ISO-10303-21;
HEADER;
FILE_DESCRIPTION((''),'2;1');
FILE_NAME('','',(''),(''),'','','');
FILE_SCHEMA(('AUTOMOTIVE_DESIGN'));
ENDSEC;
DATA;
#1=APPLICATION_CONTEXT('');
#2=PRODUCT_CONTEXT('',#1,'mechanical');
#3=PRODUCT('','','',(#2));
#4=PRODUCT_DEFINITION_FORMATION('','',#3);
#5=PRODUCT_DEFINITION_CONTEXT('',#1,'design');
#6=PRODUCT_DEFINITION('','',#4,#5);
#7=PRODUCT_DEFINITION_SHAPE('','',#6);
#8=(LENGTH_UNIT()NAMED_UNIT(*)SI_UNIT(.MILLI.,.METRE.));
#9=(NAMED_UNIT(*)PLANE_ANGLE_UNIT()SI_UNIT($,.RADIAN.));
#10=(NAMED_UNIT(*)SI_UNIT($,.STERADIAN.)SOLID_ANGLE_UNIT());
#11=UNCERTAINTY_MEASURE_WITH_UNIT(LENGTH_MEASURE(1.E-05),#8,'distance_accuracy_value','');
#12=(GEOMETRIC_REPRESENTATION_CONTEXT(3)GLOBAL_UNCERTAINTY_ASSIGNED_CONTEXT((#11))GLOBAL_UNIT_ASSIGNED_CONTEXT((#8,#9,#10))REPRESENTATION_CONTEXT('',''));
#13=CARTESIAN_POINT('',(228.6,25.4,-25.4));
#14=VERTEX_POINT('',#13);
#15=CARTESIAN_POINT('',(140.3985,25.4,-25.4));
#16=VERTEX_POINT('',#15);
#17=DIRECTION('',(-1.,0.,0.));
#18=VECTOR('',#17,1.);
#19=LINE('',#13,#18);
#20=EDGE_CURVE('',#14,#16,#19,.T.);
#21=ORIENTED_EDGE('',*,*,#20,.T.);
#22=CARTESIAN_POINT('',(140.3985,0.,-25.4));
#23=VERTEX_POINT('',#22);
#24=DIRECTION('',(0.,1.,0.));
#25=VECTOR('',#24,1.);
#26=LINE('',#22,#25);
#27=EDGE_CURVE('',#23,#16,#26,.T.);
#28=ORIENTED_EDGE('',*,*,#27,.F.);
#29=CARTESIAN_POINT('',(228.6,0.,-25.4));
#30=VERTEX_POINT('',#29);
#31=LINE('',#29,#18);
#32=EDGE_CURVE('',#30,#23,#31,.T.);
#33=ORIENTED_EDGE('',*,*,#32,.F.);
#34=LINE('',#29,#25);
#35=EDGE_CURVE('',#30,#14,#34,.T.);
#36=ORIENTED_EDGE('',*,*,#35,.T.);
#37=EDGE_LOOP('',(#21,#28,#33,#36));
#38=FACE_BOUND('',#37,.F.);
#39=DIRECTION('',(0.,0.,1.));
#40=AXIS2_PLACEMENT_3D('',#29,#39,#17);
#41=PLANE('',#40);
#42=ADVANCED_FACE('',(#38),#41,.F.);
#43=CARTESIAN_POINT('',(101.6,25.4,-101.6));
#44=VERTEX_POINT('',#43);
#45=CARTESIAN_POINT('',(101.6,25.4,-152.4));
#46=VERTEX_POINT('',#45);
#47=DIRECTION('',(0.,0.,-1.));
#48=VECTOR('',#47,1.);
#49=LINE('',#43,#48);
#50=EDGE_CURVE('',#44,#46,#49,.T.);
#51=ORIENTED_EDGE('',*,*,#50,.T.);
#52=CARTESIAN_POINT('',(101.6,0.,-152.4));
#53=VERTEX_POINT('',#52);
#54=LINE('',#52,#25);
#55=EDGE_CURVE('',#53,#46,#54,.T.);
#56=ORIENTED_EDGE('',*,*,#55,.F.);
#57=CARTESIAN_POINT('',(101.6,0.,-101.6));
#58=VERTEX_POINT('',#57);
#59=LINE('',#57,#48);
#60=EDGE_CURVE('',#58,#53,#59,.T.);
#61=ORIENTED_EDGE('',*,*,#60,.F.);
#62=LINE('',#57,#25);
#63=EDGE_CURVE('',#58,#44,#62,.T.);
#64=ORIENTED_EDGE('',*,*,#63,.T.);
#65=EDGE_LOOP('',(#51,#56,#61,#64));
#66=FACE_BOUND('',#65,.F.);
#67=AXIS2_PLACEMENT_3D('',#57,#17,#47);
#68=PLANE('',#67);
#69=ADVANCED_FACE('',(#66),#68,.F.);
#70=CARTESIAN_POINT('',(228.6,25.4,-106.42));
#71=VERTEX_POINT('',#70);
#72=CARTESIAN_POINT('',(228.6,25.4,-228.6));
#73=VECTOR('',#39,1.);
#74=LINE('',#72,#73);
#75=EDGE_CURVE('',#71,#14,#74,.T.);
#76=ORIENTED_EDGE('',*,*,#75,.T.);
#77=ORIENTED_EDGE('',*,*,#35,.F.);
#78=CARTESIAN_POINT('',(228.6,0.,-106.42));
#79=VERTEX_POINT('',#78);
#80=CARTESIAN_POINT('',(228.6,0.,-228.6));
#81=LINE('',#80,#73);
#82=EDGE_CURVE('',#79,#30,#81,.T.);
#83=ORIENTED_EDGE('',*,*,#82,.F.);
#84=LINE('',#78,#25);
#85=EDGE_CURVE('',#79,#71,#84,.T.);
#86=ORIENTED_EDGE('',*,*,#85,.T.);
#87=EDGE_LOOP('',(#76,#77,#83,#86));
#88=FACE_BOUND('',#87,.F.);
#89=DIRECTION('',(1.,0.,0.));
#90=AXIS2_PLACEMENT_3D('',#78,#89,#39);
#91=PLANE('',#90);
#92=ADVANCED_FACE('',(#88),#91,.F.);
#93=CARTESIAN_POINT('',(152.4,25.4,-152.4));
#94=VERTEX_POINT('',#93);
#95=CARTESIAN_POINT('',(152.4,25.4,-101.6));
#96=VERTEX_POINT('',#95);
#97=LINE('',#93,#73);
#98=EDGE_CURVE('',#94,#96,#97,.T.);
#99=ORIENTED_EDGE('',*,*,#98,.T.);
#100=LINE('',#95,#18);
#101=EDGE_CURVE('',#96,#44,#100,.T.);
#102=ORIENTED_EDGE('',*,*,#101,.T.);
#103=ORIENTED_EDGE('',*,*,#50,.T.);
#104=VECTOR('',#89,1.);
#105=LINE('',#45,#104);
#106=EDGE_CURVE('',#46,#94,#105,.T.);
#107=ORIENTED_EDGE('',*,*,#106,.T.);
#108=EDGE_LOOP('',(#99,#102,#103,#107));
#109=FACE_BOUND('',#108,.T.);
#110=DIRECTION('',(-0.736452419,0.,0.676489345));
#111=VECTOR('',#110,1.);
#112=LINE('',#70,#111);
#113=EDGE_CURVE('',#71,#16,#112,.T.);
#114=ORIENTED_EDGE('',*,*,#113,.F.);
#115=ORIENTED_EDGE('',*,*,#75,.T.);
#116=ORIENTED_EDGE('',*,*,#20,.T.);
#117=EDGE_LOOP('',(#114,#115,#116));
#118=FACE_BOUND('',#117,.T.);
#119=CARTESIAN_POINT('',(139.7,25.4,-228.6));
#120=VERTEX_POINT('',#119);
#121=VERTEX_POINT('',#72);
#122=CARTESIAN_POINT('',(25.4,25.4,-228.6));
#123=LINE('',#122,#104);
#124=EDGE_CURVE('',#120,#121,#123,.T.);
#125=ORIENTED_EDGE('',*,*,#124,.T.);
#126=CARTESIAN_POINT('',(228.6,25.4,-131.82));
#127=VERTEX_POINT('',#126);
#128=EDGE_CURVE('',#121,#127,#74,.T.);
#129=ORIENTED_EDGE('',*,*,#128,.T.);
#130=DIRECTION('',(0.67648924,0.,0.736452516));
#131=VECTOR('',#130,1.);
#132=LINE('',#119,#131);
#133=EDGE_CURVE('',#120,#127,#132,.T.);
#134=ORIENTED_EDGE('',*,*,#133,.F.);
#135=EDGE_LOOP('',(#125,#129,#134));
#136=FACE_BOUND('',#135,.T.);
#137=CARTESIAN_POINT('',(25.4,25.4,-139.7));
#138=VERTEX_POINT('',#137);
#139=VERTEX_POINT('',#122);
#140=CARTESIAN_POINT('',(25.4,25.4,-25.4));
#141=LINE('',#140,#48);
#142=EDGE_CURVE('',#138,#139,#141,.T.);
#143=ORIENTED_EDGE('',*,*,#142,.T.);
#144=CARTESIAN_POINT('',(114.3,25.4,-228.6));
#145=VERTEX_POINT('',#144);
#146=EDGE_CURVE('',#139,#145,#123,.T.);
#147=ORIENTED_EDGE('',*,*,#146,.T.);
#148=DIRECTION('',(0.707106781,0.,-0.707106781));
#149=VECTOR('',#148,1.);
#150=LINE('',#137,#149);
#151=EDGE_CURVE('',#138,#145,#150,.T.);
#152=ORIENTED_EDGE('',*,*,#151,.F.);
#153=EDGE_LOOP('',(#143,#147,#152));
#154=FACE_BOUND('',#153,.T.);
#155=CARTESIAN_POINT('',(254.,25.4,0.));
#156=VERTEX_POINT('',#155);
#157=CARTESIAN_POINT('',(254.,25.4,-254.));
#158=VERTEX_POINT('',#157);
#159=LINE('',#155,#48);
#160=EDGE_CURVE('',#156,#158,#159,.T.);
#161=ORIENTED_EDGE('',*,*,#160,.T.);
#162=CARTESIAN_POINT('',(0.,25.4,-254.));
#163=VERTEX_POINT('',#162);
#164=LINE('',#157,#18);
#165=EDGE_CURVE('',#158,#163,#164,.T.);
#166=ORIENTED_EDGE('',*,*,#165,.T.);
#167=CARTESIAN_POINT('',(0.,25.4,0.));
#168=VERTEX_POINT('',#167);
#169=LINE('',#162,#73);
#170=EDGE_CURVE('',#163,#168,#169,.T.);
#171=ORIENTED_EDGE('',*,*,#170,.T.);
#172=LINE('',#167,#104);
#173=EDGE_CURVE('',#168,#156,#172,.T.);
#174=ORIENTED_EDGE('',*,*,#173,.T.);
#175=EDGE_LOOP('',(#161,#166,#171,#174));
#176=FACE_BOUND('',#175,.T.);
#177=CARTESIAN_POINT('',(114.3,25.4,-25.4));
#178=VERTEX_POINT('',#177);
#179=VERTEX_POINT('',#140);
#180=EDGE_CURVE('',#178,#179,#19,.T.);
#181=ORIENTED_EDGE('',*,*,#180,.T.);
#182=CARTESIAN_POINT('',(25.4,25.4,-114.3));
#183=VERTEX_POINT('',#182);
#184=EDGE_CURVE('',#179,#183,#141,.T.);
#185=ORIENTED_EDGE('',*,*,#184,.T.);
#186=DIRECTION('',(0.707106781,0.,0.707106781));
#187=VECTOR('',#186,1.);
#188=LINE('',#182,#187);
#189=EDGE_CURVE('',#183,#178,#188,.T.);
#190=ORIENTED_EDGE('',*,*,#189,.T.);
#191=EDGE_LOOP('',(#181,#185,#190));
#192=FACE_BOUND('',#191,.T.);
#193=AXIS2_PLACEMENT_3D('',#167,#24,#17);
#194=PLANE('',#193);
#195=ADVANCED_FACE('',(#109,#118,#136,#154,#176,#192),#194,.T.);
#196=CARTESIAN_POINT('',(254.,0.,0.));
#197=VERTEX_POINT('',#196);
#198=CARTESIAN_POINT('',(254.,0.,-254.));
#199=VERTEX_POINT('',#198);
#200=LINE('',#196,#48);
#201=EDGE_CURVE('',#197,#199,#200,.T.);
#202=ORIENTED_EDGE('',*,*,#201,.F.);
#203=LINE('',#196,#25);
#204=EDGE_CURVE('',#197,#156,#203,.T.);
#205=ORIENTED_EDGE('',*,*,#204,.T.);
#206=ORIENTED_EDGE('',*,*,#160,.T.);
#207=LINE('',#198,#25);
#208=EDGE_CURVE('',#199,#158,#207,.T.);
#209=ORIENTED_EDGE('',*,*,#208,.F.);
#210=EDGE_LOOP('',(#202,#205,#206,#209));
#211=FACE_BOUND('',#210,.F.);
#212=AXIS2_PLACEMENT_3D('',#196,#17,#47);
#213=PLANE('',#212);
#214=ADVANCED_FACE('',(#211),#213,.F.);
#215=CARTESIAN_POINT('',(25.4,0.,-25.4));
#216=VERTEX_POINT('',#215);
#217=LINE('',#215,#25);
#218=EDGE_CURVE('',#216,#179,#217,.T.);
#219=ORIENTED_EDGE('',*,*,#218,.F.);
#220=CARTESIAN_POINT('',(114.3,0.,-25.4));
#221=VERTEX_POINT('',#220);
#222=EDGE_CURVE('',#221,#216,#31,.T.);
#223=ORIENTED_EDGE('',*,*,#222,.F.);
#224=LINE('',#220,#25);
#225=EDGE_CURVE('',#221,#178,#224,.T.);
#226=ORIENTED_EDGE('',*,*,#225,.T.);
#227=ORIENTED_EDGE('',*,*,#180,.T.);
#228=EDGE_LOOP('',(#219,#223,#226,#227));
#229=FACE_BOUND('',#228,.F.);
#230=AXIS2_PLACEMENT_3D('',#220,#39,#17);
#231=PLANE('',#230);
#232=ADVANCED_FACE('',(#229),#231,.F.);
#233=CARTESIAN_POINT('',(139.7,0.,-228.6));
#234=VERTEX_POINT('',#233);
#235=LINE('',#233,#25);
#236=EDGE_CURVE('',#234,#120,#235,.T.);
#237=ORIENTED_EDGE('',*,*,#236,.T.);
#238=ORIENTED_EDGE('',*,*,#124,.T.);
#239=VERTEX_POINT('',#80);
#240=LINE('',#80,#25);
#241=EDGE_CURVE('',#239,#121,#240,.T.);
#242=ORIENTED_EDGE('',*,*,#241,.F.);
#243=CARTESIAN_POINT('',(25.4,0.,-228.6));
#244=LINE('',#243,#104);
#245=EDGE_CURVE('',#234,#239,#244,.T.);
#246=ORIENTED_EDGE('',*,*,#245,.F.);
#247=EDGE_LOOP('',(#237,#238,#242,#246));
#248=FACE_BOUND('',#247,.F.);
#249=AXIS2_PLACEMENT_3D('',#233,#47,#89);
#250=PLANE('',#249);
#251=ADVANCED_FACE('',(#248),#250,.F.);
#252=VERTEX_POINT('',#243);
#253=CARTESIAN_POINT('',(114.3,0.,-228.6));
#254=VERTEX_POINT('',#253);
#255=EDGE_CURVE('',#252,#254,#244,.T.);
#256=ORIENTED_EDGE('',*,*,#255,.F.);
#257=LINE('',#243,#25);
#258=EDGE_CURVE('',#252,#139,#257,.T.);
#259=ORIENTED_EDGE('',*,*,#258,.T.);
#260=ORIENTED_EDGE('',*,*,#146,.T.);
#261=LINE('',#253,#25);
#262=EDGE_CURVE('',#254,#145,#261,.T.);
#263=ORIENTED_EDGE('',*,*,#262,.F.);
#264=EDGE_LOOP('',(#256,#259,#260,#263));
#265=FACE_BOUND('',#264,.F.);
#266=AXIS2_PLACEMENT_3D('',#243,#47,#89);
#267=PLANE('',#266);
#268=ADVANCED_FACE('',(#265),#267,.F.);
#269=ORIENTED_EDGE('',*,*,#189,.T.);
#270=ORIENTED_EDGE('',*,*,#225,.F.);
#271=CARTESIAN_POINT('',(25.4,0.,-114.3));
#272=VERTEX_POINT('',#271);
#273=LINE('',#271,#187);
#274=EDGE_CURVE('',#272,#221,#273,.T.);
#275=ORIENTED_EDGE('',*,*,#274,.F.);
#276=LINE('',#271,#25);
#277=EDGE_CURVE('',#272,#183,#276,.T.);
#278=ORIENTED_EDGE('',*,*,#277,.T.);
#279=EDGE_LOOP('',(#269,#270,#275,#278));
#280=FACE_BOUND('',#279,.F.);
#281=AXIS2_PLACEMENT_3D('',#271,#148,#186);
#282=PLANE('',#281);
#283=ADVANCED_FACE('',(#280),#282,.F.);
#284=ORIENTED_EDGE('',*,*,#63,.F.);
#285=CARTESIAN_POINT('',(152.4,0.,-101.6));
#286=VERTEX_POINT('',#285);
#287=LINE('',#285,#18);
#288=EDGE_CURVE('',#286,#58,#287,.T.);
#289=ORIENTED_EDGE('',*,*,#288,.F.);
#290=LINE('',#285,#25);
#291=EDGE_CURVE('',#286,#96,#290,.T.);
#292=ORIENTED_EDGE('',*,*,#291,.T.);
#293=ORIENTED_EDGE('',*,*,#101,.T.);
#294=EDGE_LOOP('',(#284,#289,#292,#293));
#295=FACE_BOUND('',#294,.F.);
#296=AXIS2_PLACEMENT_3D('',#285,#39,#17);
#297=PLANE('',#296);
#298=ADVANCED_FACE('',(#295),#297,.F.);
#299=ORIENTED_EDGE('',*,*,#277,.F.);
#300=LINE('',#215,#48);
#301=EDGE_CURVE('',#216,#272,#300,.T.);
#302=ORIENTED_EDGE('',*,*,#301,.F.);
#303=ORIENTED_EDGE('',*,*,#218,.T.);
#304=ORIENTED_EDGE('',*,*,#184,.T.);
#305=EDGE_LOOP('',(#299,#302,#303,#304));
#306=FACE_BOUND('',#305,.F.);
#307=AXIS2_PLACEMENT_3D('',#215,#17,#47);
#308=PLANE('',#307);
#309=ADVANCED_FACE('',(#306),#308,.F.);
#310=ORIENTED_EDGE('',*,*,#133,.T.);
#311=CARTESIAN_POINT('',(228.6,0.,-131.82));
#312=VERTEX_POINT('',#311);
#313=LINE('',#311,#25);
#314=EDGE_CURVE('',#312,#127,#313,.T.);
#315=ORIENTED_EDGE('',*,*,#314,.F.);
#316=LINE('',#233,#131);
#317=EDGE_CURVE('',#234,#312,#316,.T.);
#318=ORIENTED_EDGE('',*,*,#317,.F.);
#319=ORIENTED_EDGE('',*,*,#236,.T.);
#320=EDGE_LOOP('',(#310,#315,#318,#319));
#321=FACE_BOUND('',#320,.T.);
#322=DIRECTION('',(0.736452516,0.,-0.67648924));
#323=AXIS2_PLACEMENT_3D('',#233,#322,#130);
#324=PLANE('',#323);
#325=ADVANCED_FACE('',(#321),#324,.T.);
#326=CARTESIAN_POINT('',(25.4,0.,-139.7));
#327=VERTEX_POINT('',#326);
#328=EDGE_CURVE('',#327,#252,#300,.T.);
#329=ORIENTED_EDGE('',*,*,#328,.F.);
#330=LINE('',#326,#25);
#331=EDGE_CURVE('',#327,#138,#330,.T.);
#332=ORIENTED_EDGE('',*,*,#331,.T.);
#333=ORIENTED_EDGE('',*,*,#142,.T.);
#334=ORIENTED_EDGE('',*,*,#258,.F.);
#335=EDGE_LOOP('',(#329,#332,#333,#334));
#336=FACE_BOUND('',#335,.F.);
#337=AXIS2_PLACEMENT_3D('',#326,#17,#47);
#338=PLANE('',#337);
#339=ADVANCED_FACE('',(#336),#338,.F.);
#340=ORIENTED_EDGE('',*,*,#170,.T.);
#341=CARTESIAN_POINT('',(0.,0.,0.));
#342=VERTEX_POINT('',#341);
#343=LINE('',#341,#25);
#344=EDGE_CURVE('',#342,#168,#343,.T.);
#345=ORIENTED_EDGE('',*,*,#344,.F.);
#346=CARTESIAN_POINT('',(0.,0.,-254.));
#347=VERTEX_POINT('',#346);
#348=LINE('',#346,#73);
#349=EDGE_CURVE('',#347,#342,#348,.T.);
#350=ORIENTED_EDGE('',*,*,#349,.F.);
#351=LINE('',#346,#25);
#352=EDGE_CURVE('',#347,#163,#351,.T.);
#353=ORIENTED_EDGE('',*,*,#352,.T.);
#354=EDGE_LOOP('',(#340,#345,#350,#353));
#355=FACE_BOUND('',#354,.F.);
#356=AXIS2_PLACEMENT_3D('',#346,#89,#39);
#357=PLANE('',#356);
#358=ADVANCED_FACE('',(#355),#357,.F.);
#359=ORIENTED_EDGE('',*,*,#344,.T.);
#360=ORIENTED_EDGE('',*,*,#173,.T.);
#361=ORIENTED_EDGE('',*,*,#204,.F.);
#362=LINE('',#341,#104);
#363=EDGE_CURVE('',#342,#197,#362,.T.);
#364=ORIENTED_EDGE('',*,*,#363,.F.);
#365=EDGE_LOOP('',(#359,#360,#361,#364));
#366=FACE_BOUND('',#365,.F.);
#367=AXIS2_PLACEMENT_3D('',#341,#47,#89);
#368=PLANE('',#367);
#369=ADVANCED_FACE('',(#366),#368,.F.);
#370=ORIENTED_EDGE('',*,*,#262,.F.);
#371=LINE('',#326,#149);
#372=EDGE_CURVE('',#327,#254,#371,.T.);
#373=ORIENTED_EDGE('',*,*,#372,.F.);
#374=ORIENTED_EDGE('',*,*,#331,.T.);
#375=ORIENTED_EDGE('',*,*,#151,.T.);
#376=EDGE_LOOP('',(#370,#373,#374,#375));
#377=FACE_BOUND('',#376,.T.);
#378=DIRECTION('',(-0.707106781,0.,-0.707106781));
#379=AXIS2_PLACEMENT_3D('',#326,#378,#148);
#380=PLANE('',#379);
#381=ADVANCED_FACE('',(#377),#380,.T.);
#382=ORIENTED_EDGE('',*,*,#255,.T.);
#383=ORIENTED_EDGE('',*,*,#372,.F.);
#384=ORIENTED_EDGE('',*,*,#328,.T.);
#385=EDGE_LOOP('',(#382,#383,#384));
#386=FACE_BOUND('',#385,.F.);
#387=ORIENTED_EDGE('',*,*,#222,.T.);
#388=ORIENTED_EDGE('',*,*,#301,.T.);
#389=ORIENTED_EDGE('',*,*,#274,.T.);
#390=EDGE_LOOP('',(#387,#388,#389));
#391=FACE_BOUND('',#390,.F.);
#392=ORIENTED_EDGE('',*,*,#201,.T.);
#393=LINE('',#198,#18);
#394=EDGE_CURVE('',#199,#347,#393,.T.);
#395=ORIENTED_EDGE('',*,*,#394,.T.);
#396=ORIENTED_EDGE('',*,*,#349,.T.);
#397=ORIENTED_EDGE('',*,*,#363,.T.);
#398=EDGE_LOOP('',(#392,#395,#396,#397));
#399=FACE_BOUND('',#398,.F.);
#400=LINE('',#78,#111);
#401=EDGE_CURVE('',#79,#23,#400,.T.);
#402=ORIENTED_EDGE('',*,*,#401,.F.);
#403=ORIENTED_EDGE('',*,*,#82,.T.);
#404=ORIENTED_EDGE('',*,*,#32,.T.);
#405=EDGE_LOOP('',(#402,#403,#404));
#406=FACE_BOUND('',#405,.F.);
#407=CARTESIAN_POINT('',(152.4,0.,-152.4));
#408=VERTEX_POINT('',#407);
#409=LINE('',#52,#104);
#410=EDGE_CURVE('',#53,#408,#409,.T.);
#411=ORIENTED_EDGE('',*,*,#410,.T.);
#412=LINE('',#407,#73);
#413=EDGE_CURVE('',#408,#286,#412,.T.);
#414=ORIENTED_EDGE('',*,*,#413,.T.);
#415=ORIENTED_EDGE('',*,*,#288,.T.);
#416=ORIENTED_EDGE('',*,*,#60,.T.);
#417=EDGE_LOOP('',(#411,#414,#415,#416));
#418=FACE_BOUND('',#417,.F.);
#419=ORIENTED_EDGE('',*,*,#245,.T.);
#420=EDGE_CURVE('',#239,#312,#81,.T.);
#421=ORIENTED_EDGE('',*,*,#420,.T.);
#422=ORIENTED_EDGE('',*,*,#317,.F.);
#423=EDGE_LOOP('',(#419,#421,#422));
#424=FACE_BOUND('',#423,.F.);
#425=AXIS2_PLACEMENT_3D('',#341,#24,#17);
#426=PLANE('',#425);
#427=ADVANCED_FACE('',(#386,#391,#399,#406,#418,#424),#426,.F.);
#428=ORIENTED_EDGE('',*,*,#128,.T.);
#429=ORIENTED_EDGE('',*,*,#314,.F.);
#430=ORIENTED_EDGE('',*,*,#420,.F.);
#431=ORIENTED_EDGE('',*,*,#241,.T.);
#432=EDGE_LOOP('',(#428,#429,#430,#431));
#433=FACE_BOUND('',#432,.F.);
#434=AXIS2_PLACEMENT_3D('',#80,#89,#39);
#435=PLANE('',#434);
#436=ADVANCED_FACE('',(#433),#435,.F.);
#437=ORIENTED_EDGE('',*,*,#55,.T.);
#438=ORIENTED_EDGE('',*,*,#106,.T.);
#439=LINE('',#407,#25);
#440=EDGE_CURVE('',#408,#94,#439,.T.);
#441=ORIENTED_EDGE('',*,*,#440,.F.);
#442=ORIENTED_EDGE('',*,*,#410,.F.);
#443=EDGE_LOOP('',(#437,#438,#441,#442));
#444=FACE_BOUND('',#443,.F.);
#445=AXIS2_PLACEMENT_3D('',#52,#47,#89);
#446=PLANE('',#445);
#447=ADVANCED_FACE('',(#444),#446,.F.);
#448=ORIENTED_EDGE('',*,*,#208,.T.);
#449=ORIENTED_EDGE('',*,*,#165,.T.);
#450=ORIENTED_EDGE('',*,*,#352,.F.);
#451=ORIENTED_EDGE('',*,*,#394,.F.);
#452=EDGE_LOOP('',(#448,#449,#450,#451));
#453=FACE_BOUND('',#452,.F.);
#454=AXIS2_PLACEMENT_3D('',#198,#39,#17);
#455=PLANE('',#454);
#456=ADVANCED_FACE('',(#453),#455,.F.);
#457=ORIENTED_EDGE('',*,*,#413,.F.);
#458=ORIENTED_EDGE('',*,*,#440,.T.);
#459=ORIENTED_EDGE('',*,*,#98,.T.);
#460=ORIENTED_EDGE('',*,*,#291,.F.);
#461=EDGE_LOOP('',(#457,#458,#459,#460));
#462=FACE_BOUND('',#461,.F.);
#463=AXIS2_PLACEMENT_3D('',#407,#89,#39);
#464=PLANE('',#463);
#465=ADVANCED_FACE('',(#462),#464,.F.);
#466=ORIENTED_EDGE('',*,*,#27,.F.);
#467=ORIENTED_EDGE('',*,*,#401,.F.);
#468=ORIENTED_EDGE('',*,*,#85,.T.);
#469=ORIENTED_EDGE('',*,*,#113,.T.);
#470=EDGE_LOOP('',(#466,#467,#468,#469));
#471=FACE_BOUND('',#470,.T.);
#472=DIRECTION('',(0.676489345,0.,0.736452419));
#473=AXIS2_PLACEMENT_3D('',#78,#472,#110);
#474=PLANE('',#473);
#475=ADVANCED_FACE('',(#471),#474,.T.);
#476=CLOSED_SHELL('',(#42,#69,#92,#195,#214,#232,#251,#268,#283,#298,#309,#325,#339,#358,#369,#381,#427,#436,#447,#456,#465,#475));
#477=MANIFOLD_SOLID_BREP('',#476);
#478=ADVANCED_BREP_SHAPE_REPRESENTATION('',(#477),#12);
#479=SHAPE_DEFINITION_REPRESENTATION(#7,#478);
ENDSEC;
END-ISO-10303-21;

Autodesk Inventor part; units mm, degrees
ref_plane "YZ Plane" through (0, 0, 0) normal (1, 0, 0) x (0, 1, 0)
ref_plane "XZ Plane" through (0, 0, 0) normal (0, 1, 0) x (-1, 0, 0)
ref_plane "XY Plane" through (0, 0, 0) normal (0, 0, 1) x (1, 0, 0)
sketch "Sketch1" plane through (0, 0, 0) normal (0, 1, 0) x (-1, 0, 0)
  line L0 (0, 0) -> (-254, 0)
  line L1 (-254, 0) -> (-254, -254)
  line L2 (-254, -254) -> (0, -254)
  line L3 (0, -254) -> (0, 0)
  line L4 (-25.4, -228.6) -> (-228.6, -228.6)
  line L5 (-228.6, -228.6) -> (-228.6, -25.4)
  line L6 (-228.6, -25.4) -> (-25.4, -25.4)
  line L7 (-25.4, -25.4) -> (-25.4, -228.6)
  line L8 (-25.4, -139.7) -> (-114.3, -228.6)
  line L9 (-25.4, -114.3) -> (-114.3, -25.4)
  line L10 (-139.7, -228.6) -> (-228.6, -131.82)
  line L11 (-228.6, -106.42) -> (-140.3985, -25.4)
  line L12 (-101.6, -152.4) -> (-152.4, -152.4)
  line L13 (-152.4, -152.4) -> (-152.4, -101.6)
  line L14 (-152.4, -101.6) -> (-101.6, -101.6)
  line L15 (-101.6, -101.6) -> (-101.6, -152.4)
  point P0 (-127, -25.4)
  point P1 (-127, -152.4)
  dimension "d0" = 254
  dimension "d1" = 254
  dimension "d2" = 203.2
  dimension "d3" = 203.2
  dimension "d4" = 25.4
  dimension "d7" = 88.9
  dimension "d8" = 88.9
  dimension "d9" = 88.9
  dimension "d10" = 88.9
  dimension "d15" = 50.8
  dimension "d16" = 50.8
  dimension "d17" = 76.2
  dimension "d18" = 76.2
extrude "Extrusion1" add sketch "Sketch1" along normal blind 25.4 contours L3 L2 L1 L0 | L4 L10 L5 L11 L6 L9 L7 L8
properties part number "Panel"
